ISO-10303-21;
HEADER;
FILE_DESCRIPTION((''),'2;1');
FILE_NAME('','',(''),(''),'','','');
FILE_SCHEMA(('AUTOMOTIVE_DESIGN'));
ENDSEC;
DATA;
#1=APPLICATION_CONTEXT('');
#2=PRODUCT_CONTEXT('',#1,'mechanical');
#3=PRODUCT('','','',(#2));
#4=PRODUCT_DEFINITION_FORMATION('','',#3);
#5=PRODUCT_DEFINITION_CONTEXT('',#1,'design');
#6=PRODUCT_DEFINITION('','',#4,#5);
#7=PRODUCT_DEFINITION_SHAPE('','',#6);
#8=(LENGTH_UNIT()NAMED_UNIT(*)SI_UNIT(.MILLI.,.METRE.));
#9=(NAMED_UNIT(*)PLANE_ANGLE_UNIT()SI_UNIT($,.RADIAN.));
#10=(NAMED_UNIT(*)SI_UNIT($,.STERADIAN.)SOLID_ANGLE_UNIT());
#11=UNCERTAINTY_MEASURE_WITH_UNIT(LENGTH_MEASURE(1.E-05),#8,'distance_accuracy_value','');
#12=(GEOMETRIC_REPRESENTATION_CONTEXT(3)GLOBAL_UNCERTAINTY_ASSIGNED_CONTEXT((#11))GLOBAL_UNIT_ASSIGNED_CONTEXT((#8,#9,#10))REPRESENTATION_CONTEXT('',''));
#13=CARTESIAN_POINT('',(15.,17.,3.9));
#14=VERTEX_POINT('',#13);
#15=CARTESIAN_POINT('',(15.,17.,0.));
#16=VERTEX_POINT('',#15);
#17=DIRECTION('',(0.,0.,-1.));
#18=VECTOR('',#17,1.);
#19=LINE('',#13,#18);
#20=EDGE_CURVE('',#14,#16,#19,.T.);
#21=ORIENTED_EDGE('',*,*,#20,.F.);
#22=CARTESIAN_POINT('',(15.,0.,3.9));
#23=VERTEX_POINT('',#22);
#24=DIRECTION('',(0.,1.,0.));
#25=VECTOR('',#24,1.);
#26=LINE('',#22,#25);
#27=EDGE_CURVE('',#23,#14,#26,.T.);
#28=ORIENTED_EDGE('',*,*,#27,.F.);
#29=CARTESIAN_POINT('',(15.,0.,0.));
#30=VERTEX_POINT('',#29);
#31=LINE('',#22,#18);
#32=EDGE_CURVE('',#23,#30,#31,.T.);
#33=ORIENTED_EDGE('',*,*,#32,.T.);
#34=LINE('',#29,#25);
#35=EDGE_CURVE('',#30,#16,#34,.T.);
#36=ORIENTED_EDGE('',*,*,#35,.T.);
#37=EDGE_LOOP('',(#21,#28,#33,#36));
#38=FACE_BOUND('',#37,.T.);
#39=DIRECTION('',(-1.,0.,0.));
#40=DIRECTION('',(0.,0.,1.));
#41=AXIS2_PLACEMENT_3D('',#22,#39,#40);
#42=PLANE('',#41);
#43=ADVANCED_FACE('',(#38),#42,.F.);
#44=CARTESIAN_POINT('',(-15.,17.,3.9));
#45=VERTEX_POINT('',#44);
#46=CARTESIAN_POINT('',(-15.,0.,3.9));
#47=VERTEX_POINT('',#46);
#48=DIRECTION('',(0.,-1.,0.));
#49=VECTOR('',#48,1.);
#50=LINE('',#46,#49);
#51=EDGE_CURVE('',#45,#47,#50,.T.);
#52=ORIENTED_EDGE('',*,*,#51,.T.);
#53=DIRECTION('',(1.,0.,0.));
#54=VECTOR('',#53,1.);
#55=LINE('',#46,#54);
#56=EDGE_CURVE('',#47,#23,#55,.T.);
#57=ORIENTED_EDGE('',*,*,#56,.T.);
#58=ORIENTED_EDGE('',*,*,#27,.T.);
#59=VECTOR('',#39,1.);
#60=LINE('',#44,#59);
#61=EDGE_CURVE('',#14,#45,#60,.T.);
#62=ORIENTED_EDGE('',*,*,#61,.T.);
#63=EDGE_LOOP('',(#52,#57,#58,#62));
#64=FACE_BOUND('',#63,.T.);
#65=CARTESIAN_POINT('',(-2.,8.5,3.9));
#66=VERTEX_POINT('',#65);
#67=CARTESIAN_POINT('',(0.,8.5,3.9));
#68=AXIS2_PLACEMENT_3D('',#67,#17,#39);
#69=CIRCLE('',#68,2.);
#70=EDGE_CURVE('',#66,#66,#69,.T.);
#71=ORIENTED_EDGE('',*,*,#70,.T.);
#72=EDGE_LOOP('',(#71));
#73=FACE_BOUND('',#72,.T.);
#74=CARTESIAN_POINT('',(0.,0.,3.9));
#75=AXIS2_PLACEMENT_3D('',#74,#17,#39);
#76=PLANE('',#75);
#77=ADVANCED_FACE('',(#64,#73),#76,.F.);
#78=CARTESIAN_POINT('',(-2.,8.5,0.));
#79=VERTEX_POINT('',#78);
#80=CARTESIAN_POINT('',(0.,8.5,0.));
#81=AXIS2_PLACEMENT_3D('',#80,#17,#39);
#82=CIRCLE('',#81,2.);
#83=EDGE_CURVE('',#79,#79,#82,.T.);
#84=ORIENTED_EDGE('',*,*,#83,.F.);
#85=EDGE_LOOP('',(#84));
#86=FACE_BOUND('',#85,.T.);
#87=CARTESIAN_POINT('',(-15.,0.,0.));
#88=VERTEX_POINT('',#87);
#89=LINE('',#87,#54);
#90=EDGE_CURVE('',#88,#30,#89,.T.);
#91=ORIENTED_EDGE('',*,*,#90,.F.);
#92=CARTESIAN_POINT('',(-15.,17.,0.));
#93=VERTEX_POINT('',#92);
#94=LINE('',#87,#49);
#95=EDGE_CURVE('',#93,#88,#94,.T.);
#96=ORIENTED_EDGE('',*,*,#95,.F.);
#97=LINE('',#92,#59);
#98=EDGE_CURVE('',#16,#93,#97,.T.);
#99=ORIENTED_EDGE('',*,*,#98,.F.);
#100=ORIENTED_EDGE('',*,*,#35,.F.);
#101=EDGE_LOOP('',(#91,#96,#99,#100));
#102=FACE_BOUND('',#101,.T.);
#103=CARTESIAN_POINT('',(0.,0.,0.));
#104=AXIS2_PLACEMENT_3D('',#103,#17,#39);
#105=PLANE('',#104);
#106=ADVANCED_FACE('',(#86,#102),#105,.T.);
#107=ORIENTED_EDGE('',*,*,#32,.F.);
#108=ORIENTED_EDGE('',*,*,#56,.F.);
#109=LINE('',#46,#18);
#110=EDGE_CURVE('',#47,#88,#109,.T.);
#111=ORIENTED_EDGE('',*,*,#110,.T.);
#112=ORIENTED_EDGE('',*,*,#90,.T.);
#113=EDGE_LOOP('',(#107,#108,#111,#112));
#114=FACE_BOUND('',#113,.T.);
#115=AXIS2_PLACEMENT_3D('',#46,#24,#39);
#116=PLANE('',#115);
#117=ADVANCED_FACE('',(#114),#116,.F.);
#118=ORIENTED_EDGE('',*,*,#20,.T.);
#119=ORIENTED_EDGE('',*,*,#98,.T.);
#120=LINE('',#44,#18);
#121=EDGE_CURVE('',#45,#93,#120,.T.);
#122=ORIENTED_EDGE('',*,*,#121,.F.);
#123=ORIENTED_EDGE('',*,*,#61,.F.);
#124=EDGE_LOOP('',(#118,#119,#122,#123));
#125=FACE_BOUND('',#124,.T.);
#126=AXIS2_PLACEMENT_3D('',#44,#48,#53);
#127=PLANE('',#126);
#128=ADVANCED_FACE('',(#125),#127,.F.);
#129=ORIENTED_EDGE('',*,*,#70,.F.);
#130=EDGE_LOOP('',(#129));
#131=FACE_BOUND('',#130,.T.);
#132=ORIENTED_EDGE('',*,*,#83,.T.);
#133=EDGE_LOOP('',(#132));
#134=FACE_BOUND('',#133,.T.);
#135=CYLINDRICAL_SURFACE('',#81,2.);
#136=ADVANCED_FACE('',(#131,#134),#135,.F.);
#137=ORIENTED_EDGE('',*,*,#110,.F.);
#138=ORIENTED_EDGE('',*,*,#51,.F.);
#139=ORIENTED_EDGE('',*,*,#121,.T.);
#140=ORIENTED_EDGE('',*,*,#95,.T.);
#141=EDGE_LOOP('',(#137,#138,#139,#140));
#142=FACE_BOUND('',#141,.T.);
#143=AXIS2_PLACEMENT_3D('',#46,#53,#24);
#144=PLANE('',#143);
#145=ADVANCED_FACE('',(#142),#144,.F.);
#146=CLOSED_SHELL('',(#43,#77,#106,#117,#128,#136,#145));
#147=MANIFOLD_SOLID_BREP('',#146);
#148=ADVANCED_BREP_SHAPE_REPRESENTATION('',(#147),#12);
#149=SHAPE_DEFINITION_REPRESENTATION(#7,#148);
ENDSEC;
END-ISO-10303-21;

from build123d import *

# Parameters (mm, degrees)
ESQUISSE1_W                  = 30
ESQUISSE1_H                  = 17
BOSS_EXTRU_1_DEPTH           = 3.9
F_4_0_4_DIAMETER_HOLE1_D     = 4
F_4_0_4_DIAMETER_HOLE1_DEPTH = 3.9


with BuildPart() as part:
    # Esquisse1 → Boss.-Extru.1 (new body)
    with BuildSketch(Plane.XY):
        with Locations((0, 8.5)):
            Rectangle(ESQUISSE1_W, ESQUISSE1_H)
    extrude(amount=BOSS_EXTRU_1_DEPTH)

    # Ø4.0 (4) Diameter Hole1
    with Locations(Plane(origin=(0, 0, 0), x_dir=(-1, 0, 0), z_dir=(0, 0, -1))):
        with Locations((0, 8.5)):
            Hole(F_4_0_4_DIAMETER_HOLE1_D / 2, depth=F_4_0_4_DIAMETER_HOLE1_DEPTH)


solid = part.part
